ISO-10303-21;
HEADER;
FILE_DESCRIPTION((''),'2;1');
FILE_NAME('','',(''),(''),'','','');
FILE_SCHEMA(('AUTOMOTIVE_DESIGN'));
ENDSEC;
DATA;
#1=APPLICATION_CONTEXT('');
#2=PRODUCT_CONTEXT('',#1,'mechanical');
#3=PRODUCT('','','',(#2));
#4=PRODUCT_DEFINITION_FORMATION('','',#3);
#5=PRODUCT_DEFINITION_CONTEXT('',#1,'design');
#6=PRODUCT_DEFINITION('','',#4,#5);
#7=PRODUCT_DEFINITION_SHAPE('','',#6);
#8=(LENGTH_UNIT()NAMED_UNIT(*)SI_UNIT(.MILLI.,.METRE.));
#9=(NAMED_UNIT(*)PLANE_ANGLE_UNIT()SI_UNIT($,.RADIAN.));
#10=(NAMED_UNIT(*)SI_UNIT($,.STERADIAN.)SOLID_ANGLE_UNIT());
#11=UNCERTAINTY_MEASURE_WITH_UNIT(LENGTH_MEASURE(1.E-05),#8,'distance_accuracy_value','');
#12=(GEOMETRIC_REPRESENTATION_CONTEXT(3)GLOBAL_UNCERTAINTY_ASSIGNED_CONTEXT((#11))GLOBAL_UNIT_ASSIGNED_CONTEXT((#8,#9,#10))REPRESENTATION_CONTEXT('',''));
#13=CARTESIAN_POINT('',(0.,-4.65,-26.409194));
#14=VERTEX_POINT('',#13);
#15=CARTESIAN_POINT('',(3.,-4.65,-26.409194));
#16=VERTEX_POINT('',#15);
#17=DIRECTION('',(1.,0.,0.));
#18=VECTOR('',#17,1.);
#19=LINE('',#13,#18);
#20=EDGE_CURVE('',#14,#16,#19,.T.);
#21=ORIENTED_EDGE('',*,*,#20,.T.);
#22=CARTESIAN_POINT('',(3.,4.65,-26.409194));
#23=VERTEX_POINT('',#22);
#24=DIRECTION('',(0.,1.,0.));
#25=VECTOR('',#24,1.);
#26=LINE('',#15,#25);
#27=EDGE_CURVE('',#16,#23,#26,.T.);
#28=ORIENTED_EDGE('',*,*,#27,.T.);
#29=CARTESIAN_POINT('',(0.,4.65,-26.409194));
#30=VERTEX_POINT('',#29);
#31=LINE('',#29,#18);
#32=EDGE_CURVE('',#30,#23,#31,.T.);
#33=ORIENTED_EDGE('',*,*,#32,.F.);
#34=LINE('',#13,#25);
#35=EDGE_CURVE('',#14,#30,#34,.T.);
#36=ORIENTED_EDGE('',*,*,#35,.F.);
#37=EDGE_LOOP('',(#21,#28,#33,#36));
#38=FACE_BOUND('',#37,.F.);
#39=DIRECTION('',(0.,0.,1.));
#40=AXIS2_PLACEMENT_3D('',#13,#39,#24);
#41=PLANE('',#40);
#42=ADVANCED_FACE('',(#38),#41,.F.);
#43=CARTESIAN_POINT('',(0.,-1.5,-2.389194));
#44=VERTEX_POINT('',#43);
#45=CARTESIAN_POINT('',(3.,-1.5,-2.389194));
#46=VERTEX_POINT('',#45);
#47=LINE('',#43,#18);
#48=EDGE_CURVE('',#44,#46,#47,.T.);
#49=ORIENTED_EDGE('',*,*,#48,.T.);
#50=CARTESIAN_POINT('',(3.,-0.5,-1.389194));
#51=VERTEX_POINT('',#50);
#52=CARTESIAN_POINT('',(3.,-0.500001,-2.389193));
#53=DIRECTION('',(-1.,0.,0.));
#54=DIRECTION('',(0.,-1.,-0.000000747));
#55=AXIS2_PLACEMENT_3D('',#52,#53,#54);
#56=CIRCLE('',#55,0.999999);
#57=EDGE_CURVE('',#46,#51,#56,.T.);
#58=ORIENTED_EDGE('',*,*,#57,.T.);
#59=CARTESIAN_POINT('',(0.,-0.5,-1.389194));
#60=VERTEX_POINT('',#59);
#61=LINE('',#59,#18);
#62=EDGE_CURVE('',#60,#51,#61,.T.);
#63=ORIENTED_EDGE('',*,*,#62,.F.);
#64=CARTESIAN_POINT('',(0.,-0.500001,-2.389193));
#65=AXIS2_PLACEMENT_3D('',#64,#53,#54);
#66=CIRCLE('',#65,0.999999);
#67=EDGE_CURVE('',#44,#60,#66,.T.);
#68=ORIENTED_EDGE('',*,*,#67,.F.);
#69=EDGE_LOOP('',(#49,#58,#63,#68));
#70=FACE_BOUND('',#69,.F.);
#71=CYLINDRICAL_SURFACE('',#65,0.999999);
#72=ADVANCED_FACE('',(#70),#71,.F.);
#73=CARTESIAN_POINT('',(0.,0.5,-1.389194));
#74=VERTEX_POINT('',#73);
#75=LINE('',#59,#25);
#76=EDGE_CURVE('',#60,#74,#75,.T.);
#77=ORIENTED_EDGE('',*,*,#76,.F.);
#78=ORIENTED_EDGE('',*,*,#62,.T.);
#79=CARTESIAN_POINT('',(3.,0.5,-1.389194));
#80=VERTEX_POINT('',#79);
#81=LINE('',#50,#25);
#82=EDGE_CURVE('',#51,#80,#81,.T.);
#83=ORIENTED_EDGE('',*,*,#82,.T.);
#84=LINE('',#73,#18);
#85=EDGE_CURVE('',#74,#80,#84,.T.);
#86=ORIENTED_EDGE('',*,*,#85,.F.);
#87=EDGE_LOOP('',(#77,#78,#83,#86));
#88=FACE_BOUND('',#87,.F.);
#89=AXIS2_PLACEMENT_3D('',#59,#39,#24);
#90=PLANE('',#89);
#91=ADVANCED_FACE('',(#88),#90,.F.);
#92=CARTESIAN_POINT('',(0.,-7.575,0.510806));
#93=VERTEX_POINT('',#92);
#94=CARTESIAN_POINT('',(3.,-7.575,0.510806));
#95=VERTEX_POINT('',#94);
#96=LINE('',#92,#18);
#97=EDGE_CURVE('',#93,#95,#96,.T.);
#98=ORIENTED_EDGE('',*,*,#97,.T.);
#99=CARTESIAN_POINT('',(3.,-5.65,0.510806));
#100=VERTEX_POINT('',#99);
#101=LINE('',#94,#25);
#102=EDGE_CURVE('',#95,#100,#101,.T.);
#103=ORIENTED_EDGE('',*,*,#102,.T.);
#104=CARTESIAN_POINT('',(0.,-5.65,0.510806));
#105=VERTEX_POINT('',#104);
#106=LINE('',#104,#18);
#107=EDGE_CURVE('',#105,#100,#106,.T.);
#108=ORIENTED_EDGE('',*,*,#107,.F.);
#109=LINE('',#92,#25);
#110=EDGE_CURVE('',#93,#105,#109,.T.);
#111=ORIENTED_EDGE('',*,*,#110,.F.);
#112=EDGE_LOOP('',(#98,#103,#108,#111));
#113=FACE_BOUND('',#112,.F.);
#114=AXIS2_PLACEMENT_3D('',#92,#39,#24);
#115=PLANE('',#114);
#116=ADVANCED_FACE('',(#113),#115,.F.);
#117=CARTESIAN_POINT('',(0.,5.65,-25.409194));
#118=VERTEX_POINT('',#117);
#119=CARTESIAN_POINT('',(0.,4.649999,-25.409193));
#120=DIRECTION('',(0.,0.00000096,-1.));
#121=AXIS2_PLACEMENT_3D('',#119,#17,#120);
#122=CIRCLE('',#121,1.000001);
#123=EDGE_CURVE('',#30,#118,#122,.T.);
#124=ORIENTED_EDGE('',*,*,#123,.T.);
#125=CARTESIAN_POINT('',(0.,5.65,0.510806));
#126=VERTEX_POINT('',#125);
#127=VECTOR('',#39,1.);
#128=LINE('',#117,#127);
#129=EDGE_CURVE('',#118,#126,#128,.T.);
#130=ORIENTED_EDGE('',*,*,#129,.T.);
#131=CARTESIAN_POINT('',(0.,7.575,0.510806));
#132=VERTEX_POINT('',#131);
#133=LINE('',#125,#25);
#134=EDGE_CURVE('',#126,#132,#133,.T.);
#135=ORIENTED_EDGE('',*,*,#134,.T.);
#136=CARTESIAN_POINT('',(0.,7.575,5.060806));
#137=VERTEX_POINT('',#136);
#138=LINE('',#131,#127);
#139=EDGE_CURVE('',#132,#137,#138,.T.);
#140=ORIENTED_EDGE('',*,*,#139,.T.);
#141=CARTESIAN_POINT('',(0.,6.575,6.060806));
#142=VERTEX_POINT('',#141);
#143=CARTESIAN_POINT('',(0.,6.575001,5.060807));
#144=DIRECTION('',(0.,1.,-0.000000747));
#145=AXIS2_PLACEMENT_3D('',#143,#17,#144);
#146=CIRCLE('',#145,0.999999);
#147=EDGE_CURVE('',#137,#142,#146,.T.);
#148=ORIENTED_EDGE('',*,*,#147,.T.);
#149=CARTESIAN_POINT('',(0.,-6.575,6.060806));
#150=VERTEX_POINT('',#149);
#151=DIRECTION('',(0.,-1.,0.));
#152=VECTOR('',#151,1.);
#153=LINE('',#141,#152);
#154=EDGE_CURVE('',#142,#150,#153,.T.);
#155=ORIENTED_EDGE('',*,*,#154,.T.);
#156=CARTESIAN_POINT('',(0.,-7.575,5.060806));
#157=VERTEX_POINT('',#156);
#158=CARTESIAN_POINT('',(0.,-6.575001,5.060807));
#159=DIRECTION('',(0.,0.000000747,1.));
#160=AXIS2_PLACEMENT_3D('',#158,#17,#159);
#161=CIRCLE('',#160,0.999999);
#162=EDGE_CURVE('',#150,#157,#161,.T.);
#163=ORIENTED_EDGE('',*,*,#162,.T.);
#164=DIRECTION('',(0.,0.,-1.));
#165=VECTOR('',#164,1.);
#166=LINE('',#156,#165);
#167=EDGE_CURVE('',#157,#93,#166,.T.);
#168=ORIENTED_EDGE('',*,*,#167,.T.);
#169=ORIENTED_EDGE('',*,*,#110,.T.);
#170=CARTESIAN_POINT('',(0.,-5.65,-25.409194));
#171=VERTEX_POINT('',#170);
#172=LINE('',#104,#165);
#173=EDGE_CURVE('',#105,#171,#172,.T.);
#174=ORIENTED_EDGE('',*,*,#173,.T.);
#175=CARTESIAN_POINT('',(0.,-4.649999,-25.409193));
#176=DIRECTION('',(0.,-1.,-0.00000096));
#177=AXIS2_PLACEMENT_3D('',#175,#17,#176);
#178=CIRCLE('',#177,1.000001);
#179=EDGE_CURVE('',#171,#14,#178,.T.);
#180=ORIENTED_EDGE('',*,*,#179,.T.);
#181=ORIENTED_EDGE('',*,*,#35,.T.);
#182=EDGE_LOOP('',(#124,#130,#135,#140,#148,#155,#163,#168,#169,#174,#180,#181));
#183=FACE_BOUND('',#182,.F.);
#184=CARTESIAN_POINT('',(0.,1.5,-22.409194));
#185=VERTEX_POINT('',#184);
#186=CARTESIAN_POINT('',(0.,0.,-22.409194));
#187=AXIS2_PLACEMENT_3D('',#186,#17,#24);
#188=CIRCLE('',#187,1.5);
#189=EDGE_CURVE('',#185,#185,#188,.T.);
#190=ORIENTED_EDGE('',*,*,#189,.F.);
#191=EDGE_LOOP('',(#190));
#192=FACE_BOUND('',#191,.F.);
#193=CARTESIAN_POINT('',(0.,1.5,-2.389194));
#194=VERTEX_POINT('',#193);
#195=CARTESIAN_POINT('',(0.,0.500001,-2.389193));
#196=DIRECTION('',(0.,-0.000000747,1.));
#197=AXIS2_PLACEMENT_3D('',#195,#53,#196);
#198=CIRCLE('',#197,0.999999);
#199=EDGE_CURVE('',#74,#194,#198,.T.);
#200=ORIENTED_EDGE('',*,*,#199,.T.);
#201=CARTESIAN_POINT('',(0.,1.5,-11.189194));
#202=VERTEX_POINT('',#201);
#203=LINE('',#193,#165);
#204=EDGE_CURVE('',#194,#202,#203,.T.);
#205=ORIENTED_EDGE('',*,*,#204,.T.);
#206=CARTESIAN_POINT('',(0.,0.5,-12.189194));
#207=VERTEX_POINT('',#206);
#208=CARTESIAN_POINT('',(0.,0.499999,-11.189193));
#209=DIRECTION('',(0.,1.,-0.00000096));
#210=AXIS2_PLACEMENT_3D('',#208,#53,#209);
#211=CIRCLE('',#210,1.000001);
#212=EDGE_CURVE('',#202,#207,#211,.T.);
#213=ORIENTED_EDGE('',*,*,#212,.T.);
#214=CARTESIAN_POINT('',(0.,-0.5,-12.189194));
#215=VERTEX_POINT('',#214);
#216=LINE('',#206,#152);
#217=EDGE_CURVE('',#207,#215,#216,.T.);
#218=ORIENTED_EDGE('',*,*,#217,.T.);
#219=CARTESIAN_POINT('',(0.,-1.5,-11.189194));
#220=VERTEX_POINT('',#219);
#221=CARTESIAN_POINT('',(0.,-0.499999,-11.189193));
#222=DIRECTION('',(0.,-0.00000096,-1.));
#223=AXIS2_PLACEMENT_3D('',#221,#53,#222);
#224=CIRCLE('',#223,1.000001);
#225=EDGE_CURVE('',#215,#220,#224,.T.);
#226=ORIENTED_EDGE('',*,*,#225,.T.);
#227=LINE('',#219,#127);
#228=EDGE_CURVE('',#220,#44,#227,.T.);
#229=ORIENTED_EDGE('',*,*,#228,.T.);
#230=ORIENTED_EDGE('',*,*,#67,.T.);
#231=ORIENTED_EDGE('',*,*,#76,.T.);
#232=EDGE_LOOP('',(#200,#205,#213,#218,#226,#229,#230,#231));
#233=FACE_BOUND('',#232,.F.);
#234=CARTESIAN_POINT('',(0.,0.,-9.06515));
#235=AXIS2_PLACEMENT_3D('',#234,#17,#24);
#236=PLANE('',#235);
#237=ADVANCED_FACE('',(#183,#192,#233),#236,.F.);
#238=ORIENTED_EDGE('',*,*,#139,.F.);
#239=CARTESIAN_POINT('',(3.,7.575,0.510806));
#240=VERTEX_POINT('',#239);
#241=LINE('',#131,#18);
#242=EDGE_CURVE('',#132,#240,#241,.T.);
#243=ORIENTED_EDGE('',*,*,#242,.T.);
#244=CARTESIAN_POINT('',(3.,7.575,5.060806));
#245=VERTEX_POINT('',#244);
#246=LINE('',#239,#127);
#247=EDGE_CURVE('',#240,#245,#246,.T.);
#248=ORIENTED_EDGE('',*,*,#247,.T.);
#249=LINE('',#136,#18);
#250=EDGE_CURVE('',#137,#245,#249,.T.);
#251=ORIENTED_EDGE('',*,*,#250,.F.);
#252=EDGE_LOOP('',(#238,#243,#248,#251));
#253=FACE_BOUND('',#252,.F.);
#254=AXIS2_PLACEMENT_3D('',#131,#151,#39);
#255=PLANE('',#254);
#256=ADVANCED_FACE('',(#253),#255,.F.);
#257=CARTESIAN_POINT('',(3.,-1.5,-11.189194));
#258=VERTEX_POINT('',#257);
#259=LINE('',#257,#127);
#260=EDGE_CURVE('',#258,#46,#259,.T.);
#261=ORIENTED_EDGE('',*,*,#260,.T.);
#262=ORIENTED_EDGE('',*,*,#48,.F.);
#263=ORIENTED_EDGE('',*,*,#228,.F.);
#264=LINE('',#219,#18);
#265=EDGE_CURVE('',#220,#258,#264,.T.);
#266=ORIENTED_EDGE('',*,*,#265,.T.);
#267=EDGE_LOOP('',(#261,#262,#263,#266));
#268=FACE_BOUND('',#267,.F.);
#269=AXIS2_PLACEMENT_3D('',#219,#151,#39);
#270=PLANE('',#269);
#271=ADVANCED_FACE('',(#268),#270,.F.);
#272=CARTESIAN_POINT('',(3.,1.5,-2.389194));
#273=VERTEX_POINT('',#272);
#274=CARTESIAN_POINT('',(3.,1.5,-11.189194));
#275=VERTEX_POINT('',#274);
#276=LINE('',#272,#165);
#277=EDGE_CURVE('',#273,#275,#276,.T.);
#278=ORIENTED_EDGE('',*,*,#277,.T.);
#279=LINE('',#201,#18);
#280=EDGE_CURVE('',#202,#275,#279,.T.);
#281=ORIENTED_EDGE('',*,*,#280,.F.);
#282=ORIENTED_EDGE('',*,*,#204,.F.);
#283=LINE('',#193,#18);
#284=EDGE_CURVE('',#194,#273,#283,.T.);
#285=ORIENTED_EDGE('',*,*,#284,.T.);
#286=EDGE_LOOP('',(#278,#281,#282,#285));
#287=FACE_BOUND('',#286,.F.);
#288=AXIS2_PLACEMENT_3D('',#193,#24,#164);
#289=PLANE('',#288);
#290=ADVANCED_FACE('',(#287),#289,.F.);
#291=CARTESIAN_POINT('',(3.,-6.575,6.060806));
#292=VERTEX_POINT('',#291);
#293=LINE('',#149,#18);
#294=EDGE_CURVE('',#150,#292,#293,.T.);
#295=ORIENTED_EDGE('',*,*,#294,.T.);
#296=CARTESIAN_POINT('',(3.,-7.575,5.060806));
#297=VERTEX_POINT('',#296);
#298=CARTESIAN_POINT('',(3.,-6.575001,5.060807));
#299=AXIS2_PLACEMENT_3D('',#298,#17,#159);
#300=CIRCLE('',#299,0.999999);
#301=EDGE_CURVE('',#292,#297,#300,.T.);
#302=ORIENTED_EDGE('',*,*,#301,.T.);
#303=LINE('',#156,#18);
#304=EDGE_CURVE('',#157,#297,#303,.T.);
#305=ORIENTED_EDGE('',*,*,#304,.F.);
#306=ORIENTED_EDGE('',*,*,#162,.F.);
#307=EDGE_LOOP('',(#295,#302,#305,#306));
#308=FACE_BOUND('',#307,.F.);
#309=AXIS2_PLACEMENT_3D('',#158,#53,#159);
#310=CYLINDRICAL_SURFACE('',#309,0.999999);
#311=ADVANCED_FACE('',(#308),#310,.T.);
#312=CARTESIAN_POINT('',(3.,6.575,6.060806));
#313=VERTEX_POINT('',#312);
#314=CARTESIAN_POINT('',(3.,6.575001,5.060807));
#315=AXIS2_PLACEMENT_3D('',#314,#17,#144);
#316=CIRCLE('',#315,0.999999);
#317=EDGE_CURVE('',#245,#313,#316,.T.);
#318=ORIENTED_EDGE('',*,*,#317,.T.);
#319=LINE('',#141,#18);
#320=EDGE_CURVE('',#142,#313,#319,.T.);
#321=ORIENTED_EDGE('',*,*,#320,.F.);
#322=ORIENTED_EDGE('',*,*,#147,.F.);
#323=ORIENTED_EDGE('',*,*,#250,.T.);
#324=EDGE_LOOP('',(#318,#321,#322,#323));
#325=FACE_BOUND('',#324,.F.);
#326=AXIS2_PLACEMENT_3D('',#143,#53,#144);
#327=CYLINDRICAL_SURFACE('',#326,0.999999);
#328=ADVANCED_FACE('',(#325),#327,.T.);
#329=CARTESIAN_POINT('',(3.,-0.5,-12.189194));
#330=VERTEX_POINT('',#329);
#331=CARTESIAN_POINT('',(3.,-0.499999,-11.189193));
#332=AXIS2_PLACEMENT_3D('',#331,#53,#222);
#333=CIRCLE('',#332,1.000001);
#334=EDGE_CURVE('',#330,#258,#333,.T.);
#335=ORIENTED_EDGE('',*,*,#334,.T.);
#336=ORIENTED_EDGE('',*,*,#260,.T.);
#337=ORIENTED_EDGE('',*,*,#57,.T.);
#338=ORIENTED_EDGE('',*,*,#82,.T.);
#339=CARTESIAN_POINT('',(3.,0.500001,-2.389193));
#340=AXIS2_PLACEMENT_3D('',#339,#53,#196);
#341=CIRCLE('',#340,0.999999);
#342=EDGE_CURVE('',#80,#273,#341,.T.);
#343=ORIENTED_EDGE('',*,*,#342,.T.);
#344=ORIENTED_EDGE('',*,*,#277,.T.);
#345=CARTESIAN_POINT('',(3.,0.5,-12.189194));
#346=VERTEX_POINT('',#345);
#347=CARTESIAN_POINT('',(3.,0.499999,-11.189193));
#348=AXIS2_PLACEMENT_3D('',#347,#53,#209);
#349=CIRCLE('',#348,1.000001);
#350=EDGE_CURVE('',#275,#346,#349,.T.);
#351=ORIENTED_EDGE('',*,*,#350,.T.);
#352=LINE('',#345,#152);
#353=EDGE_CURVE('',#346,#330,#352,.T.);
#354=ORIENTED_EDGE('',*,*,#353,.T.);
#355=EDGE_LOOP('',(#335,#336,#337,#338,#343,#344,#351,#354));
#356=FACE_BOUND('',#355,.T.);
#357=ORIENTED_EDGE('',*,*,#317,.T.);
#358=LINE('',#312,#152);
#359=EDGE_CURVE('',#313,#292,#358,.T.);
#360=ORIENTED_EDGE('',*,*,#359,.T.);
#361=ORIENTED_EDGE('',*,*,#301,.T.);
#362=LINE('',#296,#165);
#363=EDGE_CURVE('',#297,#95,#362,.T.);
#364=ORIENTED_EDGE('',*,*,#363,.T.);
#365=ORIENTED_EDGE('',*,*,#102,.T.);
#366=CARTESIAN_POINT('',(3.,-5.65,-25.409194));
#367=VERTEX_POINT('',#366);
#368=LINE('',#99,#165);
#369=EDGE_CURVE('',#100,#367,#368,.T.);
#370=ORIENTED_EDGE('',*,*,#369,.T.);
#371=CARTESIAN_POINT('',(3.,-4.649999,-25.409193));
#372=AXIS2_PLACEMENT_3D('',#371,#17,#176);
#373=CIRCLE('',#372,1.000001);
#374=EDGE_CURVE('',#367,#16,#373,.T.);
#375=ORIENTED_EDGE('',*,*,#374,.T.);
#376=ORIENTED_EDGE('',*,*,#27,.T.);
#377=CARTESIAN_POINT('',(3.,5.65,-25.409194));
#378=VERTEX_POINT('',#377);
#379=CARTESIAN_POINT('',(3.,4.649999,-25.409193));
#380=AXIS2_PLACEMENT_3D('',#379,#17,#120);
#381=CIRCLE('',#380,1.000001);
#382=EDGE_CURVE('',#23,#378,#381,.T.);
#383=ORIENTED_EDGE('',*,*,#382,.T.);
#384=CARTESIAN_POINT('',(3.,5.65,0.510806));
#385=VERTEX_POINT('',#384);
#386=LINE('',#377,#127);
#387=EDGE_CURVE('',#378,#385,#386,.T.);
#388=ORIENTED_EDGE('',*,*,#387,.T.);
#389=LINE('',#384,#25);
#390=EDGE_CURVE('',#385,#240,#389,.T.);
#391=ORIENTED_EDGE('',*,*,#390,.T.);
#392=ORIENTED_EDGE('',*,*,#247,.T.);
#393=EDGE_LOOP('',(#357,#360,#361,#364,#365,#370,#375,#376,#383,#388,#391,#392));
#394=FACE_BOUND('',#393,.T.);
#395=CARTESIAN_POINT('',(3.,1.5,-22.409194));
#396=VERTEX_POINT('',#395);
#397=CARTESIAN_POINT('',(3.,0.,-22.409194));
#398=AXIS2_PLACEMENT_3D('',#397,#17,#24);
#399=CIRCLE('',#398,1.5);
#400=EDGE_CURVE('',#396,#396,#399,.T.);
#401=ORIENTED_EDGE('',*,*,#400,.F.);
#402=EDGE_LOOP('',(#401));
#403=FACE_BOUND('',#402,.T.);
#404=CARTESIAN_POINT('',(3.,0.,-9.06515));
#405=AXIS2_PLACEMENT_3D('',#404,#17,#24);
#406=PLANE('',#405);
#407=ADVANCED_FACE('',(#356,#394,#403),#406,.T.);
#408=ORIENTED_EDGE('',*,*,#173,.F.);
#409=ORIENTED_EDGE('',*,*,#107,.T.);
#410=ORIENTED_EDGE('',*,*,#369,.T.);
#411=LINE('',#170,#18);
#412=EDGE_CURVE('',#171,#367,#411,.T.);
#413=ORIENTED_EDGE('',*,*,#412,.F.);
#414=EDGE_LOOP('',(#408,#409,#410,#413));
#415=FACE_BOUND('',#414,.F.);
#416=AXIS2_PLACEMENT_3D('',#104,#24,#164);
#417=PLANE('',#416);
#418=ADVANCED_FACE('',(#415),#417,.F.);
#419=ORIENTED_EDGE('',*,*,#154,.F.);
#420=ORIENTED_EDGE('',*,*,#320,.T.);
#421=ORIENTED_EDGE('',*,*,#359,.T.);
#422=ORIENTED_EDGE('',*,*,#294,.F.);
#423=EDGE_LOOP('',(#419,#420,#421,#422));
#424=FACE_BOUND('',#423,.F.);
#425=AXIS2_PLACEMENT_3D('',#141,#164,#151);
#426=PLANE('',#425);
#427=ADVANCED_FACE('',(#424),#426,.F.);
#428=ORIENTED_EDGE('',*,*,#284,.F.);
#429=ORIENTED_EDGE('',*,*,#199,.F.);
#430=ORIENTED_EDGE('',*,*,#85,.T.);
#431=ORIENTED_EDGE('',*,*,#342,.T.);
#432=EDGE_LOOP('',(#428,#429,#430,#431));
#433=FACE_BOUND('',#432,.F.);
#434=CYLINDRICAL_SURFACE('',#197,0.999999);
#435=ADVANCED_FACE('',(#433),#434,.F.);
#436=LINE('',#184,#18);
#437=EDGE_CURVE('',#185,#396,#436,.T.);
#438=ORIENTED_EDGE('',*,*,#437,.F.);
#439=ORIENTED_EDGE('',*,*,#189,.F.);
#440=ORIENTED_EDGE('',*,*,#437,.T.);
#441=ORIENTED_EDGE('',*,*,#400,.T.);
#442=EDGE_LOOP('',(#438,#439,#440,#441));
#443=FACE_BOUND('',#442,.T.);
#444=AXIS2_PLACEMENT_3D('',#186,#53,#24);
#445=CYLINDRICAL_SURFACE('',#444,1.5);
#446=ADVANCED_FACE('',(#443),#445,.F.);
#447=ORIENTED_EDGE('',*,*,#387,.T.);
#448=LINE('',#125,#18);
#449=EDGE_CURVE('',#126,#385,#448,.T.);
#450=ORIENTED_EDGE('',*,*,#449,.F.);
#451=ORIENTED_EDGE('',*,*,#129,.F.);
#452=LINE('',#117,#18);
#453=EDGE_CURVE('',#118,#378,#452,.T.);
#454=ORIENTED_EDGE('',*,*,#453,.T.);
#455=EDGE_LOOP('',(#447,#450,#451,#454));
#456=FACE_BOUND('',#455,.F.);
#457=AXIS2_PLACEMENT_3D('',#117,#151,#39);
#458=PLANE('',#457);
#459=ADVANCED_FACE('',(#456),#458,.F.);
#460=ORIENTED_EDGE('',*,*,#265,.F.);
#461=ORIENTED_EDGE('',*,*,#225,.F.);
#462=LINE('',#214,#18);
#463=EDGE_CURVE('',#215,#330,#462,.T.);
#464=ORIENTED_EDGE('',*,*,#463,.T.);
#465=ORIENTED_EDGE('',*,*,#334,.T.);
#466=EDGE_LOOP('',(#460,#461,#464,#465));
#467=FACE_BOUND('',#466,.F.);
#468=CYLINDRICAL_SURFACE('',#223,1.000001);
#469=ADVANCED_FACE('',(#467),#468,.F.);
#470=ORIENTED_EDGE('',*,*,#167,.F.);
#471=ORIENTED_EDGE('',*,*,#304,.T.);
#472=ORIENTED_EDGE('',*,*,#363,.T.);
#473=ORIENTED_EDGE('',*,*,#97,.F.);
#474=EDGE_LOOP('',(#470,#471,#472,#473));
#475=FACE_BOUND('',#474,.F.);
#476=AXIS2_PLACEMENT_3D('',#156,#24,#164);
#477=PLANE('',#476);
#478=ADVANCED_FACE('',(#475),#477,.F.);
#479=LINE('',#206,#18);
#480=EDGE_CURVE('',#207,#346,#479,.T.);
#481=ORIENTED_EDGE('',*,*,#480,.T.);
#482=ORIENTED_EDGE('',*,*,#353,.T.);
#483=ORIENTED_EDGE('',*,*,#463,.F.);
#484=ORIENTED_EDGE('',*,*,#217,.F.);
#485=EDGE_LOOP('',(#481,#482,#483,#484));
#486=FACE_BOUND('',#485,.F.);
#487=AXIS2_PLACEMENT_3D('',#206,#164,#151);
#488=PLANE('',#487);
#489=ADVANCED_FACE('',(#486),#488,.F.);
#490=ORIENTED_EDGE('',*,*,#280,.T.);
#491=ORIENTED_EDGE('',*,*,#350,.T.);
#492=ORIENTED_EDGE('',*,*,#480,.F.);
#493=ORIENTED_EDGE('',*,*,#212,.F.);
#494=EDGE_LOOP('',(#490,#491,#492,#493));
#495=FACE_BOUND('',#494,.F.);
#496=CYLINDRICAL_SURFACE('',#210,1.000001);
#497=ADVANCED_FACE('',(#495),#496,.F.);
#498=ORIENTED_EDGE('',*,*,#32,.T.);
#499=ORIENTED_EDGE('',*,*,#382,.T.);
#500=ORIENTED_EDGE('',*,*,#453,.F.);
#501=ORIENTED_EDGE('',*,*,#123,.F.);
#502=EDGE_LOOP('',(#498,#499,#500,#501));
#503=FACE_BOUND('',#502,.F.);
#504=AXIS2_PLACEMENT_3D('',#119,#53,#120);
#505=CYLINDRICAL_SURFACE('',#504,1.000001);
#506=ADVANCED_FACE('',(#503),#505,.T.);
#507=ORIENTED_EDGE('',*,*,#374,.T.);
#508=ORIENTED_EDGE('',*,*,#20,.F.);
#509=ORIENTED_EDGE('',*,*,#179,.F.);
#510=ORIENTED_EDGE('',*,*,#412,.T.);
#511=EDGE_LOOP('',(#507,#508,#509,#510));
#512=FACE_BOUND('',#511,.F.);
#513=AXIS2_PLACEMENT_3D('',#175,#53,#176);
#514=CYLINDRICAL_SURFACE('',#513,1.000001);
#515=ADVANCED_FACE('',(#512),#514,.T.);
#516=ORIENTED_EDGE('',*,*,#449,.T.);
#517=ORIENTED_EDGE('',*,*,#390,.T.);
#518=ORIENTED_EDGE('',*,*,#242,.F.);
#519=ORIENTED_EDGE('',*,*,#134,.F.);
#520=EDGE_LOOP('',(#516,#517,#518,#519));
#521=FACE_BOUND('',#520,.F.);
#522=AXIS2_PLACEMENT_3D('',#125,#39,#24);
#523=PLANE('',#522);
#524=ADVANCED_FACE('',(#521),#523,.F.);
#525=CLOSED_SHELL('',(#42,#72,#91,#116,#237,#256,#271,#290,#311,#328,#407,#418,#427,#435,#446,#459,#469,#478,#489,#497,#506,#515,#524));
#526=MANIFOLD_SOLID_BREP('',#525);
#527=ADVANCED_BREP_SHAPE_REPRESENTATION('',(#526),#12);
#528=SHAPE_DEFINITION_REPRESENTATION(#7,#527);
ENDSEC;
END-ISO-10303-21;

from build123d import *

# Parameters (mm, degrees)
F0_R     = 1.5
F1_DEPTH = 3


with BuildPart() as f1:
    # F0 (on Right) → F1 (new body)
    with BuildSketch(Plane.YZ):
        with BuildLine():
            Line((6.575, 6.060806), (-6.575, 6.060806))
            ThreePointArc((-6.575, 6.060806), (-7.282107, 5.767913), (-7.575, 5.060806))
            Line((-7.575, 5.060806), (-7.575, 0.510806))
            Line((-7.575, 0.510806), (-5.65, 0.510806))
            Line((-5.65, 0.510806), (-5.65, -25.409194))
            ThreePointArc((-5.65, -25.409194), (-5.357107, -26.1163), (-4.65, -26.409194))
            Line((-4.65, -26.409194), (4.65, -26.409194))
            ThreePointArc((4.65, -26.409194), (5.357107, -26.1163), (5.65, -25.409194))
            Line((5.65, -25.409194), (5.65, 0.510806))
            Line((5.65, 0.510806), (7.575, 0.510806))
            Line((7.575, 0.510806), (7.575, 5.060806))
            ThreePointArc((7.575, 5.060806), (7.282107, 5.767913), (6.575, 6.060806))
        make_face()
        with Locations((0, -22.409194)):
            Circle(F0_R, mode=Mode.SUBTRACT)
        with BuildLine():
            ThreePointArc((-1.5, -2.389194), (-1.207107, -1.682087), (-0.5, -1.389194))
            Line((-0.5, -1.389194), (0.5, -1.389194))
            ThreePointArc((0.5, -1.389194), (1.207107, -1.682087), (1.5, -2.389194))
            Line((1.5, -2.389194), (1.5, -11.189194))
            ThreePointArc((1.5, -11.189194), (1.207107, -11.8963), (0.5, -12.189194))
            Line((0.5, -12.189194), (-0.5, -12.189194))
            ThreePointArc((-0.5, -12.189194), (-1.207107, -11.8963), (-1.5, -11.189194))
            Line((-1.5, -11.189194), (-1.5, -2.389194))
        make_face(mode=Mode.SUBTRACT)
    extrude(amount=F1_DEPTH)


solid = f1.part
